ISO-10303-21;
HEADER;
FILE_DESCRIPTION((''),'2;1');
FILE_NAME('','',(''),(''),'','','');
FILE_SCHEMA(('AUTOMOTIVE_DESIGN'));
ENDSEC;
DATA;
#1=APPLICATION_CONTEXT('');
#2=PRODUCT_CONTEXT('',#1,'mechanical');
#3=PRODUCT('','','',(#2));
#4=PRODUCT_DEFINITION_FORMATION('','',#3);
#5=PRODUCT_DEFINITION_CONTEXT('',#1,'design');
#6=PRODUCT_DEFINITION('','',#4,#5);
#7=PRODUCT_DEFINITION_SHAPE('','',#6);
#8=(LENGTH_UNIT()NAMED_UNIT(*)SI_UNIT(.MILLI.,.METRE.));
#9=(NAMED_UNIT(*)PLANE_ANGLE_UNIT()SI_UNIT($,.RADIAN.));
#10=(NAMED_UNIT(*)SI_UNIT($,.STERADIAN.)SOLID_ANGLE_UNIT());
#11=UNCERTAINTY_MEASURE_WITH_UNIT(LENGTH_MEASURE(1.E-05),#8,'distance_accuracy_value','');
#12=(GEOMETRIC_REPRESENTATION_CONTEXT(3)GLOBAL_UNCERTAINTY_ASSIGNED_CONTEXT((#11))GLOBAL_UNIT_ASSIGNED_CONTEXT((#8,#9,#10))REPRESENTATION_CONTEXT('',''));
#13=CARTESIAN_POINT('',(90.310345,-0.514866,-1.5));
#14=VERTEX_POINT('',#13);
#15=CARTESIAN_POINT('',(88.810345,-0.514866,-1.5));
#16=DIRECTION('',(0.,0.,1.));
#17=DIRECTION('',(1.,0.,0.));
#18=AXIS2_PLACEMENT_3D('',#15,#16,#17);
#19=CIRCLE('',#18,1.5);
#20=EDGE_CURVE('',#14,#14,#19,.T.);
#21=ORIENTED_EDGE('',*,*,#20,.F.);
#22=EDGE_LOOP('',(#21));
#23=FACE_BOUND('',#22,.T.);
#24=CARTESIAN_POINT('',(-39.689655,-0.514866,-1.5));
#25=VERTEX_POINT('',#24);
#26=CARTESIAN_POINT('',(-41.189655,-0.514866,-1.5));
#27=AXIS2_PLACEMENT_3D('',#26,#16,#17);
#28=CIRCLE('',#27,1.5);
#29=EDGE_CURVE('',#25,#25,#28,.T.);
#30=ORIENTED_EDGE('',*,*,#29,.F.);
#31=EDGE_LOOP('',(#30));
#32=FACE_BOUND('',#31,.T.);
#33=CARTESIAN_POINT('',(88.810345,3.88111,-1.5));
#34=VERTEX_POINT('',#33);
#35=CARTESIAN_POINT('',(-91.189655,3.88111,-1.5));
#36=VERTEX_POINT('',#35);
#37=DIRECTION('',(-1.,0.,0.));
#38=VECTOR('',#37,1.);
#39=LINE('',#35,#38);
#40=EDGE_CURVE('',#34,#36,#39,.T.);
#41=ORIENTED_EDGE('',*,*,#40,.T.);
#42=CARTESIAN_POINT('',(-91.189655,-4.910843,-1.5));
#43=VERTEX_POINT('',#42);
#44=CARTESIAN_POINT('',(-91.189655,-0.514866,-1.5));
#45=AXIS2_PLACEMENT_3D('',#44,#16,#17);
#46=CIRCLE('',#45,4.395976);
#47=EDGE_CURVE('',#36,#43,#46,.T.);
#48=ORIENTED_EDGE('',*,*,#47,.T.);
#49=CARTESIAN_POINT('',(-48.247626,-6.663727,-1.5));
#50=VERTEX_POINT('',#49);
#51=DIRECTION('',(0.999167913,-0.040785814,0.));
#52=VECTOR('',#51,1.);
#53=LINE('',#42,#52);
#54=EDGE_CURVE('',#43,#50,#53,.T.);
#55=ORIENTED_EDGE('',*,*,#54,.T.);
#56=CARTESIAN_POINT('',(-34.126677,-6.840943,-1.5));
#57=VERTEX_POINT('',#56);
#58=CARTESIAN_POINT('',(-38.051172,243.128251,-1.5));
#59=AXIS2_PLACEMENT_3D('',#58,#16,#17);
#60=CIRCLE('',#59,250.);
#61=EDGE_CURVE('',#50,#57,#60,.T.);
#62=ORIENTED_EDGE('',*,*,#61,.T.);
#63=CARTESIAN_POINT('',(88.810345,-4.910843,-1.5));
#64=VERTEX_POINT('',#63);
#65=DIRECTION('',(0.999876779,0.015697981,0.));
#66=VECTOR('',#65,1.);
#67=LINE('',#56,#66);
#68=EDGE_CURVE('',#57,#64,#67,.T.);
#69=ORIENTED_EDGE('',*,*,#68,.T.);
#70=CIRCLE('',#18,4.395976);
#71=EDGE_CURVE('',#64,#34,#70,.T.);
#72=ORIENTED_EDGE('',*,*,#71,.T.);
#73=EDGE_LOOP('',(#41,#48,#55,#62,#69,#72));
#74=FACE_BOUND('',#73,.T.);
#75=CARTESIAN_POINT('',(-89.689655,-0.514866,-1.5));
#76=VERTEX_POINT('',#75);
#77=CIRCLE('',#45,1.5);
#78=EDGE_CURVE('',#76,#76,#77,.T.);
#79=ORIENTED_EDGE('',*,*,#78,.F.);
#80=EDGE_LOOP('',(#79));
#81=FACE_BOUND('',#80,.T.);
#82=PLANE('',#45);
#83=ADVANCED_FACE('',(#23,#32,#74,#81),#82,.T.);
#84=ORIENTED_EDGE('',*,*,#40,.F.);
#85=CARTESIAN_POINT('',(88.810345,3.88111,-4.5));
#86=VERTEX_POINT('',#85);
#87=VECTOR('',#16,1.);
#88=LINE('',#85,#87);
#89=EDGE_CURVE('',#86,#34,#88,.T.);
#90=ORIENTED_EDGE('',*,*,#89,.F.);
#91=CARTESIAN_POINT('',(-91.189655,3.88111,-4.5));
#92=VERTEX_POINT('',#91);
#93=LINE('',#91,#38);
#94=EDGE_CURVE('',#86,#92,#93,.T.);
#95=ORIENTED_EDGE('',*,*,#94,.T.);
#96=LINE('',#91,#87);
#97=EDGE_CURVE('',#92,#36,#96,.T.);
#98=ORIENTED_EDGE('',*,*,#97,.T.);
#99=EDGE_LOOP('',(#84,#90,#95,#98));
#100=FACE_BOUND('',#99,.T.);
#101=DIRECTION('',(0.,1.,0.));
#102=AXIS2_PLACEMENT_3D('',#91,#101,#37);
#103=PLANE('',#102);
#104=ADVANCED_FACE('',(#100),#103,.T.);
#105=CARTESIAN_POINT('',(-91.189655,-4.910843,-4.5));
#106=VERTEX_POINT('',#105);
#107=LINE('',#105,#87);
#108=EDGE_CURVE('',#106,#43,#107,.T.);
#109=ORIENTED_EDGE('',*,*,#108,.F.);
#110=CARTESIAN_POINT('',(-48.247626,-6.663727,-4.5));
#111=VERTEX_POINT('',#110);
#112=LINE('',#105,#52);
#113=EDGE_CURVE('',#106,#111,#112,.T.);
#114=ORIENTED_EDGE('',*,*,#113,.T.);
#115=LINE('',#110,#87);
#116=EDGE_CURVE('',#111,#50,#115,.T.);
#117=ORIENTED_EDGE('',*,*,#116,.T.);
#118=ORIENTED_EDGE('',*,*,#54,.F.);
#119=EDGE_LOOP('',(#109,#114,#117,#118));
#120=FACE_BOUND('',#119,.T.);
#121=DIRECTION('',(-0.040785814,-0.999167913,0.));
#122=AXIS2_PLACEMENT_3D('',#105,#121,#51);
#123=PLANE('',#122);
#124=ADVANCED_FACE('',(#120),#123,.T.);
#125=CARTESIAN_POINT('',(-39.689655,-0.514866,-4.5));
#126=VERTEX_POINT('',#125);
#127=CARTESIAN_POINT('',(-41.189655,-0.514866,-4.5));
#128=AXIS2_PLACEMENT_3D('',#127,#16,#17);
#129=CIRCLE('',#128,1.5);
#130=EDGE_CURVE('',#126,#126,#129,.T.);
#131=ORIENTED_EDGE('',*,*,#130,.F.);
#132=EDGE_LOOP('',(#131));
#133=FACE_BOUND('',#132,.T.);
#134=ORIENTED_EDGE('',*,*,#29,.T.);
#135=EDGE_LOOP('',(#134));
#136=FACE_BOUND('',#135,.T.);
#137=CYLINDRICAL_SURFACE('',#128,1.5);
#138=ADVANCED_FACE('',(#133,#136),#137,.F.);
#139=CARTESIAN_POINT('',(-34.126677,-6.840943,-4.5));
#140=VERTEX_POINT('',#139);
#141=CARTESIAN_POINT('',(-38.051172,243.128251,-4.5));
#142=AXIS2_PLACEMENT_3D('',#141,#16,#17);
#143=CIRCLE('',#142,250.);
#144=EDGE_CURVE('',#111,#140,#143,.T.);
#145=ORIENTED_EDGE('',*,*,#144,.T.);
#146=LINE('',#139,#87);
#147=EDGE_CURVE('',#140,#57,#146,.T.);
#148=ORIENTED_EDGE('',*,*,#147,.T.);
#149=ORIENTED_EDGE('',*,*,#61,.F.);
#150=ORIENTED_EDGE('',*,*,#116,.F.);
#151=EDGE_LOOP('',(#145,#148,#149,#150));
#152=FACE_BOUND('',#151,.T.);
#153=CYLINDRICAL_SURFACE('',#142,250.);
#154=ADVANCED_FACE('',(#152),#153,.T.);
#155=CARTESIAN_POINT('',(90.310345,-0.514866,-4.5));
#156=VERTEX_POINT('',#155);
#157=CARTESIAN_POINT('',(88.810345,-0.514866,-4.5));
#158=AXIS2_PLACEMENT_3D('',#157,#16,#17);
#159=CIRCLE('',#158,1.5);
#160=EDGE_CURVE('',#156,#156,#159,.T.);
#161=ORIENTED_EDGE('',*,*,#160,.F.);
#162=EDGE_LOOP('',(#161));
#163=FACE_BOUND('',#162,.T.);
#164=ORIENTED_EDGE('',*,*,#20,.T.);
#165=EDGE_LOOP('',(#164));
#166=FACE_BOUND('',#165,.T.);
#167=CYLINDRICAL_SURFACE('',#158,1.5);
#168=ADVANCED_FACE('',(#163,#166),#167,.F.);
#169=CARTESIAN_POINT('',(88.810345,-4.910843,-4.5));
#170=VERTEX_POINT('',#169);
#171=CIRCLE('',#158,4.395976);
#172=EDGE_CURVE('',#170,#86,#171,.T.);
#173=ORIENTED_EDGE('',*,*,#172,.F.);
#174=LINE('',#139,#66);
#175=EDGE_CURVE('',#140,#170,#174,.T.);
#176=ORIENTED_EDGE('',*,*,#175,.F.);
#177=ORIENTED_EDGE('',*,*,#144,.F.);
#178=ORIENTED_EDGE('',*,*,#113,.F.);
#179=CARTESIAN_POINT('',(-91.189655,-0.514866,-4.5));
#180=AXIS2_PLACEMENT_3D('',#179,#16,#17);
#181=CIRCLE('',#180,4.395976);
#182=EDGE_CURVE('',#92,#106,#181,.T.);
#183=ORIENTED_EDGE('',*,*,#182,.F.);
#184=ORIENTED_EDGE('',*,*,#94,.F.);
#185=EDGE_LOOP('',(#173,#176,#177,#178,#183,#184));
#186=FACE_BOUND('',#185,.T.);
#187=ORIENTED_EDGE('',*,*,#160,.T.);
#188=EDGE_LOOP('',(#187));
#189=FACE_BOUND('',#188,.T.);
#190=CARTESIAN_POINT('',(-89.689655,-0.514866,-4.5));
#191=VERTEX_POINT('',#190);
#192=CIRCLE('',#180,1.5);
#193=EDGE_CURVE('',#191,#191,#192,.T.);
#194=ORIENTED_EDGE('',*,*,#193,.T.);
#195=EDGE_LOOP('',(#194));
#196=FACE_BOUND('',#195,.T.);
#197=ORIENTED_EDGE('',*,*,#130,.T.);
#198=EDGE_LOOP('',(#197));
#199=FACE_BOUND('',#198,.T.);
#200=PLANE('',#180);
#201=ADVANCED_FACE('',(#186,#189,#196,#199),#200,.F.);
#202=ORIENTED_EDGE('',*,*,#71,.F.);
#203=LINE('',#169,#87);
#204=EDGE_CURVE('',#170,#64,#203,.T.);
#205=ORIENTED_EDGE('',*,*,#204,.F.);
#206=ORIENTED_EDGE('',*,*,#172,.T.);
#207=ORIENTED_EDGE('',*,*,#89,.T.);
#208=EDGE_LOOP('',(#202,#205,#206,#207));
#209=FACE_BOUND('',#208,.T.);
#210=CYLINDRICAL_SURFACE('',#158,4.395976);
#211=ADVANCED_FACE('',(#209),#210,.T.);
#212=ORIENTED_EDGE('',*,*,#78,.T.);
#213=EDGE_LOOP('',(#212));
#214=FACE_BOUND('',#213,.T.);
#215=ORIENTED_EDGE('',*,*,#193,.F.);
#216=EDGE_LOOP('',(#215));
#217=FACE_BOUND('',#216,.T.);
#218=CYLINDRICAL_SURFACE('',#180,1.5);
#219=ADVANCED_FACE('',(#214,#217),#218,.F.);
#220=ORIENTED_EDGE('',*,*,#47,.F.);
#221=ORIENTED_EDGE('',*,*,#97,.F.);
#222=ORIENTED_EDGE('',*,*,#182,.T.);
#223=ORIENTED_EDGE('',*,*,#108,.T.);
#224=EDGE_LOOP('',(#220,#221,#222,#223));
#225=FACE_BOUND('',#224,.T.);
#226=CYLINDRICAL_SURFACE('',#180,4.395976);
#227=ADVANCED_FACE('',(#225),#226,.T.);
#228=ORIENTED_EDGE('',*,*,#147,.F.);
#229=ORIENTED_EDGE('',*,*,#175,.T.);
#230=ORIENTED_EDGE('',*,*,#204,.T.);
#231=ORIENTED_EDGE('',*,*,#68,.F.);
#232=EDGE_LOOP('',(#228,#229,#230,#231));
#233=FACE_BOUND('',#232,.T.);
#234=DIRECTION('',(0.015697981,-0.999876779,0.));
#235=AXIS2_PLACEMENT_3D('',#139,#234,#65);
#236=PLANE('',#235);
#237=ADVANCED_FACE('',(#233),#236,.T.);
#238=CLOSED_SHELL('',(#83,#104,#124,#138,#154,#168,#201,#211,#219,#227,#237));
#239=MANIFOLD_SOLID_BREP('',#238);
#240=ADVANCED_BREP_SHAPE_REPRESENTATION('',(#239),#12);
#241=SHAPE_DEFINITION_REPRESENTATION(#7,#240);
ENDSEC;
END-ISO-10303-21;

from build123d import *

# Parameters (mm, degrees)
SKETCH1_R           = 3
BOSS_EXTRUDE1_DEPTH = 6
SCALE1_SCALE        = 0.5


with BuildPart() as part:
    # Sketch1 → Boss-Extrude1 (new body)
    with BuildSketch(Plane.XY):
        with BuildLine():
            Line((-180, 8.791952491), (180, 8.791952491))
            ThreePointArc((180, 8.791952491), (188.791952491, 0), (180, -8.791952491))
            Line((180, -8.791952491), (-65.874044075, -12.652154123))
            ThreePointArc((-65.874044075, -12.652154123), (-79.997495837, -12.674394151), (-94.115941273, -12.297720824))
            Line((-94.115941273, -12.297720824), (-180, -8.791952491))
            ThreePointArc((-180, -8.791952491), (-188.791952491, 0), (-180, 8.791952491))
        make_face()
        with Locations((-180, 0)):
            Circle(SKETCH1_R, mode=Mode.SUBTRACT)
        with Locations((-80, 0)):
            Circle(SKETCH1_R, mode=Mode.SUBTRACT)
        with Locations((180, 0)):
            Circle(SKETCH1_R, mode=Mode.SUBTRACT)
    extrude(amount=-BOSS_EXTRUDE1_DEPTH)


with BuildPart() as part_1:
    # Scale1: scaled about (-2.379309964, -1.029732749, -3)
    add(part.part.scale(SCALE1_SCALE).moved(Location((-1.189654982, -0.514866374, -1.5))))


solid = part_1.part
